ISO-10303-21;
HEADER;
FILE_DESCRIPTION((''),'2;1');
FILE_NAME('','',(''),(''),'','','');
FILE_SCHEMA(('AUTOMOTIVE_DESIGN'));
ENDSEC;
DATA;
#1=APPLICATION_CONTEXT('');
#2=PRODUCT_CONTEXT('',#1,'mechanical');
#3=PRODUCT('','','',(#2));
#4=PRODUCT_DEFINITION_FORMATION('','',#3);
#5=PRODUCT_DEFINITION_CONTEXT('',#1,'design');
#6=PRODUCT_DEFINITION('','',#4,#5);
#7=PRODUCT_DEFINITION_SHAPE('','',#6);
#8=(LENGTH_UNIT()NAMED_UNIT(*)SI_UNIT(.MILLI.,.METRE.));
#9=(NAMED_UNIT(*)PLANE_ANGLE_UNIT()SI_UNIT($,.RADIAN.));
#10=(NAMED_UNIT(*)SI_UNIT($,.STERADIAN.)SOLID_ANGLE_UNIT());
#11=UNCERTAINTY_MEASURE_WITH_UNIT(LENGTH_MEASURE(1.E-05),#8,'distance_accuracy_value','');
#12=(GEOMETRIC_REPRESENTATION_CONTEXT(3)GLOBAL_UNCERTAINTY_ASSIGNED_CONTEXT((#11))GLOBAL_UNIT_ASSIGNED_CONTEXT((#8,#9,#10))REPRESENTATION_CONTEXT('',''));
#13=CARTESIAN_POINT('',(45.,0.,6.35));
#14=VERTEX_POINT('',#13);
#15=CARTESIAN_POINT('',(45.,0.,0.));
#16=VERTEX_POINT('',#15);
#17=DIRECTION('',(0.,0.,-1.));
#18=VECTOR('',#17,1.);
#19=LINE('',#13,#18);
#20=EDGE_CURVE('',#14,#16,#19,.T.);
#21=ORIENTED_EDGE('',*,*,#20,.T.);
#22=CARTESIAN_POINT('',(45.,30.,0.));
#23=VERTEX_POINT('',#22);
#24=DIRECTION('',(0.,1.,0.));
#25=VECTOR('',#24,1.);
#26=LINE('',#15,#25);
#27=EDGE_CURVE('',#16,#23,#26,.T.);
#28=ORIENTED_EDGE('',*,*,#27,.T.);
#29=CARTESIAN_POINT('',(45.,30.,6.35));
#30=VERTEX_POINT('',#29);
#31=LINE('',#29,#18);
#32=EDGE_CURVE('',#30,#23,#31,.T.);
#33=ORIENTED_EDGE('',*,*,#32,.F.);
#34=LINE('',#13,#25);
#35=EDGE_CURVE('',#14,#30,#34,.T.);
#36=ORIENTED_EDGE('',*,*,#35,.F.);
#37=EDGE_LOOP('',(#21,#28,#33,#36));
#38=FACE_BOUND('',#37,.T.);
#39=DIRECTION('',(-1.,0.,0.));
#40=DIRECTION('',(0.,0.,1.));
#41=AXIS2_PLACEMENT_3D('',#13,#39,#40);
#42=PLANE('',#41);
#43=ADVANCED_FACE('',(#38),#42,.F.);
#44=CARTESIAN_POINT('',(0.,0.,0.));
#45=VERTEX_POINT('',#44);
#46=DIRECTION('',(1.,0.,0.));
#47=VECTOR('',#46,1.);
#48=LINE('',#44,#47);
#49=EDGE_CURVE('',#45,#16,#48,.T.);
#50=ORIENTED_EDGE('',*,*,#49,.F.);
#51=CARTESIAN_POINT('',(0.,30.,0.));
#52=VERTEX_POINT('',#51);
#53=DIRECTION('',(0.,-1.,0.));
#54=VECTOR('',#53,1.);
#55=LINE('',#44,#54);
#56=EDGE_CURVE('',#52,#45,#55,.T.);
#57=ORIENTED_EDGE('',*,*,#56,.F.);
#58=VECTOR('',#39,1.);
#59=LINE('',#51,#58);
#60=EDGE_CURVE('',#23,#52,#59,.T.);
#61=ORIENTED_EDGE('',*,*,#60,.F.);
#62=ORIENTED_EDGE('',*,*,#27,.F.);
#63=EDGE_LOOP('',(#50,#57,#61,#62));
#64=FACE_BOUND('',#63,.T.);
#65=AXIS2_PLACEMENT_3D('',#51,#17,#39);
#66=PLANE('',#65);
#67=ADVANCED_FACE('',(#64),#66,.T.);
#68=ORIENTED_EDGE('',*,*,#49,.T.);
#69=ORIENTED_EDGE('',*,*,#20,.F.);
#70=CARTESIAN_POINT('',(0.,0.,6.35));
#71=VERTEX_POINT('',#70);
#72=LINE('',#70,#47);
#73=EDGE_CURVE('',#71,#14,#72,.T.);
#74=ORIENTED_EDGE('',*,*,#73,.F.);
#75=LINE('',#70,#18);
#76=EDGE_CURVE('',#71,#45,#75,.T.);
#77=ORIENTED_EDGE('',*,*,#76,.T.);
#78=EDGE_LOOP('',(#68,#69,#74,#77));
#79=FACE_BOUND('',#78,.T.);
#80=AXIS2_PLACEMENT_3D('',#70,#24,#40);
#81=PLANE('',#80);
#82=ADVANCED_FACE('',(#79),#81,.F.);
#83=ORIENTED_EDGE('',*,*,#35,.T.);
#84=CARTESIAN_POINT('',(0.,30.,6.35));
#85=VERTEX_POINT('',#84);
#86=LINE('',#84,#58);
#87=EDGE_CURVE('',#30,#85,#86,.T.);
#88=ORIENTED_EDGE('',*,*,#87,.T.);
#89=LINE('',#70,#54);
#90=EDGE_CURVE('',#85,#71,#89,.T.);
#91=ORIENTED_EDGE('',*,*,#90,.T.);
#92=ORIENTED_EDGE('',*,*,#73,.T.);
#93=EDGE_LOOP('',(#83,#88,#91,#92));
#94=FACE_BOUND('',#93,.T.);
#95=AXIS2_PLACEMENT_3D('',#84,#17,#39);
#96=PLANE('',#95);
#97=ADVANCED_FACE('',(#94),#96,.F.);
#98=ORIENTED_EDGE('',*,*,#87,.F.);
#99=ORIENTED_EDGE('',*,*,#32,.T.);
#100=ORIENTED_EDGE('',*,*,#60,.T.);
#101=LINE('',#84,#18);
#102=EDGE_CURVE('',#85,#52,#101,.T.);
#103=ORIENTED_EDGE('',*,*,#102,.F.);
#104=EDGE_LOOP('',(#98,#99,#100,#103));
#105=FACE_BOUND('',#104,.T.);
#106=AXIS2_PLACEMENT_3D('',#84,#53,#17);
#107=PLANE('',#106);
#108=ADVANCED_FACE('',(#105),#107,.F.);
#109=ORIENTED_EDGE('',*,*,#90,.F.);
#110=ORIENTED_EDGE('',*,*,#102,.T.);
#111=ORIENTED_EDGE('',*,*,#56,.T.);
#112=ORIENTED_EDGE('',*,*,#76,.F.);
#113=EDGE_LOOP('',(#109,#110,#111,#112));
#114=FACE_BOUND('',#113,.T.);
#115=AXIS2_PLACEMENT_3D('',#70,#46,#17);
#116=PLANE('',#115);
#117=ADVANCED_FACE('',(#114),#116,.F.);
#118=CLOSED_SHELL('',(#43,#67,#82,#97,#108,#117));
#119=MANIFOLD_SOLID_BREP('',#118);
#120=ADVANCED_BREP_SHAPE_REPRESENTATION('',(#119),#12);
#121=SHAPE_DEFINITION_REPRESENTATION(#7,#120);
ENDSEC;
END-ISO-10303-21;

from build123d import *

# Parameters (mm, degrees)
SKETCH1_W           = 45
SKETCH1_H           = 30
BOSS_EXTRUDE1_DEPTH = 6.35


with BuildPart() as part:
    # Sketch1 → Boss-Extrude1 (new body)
    with BuildSketch(Plane.XY):
        with Locations((22.5, 15)):
            Rectangle(SKETCH1_W, SKETCH1_H)
    extrude(amount=BOSS_EXTRUDE1_DEPTH)


solid = part.part
